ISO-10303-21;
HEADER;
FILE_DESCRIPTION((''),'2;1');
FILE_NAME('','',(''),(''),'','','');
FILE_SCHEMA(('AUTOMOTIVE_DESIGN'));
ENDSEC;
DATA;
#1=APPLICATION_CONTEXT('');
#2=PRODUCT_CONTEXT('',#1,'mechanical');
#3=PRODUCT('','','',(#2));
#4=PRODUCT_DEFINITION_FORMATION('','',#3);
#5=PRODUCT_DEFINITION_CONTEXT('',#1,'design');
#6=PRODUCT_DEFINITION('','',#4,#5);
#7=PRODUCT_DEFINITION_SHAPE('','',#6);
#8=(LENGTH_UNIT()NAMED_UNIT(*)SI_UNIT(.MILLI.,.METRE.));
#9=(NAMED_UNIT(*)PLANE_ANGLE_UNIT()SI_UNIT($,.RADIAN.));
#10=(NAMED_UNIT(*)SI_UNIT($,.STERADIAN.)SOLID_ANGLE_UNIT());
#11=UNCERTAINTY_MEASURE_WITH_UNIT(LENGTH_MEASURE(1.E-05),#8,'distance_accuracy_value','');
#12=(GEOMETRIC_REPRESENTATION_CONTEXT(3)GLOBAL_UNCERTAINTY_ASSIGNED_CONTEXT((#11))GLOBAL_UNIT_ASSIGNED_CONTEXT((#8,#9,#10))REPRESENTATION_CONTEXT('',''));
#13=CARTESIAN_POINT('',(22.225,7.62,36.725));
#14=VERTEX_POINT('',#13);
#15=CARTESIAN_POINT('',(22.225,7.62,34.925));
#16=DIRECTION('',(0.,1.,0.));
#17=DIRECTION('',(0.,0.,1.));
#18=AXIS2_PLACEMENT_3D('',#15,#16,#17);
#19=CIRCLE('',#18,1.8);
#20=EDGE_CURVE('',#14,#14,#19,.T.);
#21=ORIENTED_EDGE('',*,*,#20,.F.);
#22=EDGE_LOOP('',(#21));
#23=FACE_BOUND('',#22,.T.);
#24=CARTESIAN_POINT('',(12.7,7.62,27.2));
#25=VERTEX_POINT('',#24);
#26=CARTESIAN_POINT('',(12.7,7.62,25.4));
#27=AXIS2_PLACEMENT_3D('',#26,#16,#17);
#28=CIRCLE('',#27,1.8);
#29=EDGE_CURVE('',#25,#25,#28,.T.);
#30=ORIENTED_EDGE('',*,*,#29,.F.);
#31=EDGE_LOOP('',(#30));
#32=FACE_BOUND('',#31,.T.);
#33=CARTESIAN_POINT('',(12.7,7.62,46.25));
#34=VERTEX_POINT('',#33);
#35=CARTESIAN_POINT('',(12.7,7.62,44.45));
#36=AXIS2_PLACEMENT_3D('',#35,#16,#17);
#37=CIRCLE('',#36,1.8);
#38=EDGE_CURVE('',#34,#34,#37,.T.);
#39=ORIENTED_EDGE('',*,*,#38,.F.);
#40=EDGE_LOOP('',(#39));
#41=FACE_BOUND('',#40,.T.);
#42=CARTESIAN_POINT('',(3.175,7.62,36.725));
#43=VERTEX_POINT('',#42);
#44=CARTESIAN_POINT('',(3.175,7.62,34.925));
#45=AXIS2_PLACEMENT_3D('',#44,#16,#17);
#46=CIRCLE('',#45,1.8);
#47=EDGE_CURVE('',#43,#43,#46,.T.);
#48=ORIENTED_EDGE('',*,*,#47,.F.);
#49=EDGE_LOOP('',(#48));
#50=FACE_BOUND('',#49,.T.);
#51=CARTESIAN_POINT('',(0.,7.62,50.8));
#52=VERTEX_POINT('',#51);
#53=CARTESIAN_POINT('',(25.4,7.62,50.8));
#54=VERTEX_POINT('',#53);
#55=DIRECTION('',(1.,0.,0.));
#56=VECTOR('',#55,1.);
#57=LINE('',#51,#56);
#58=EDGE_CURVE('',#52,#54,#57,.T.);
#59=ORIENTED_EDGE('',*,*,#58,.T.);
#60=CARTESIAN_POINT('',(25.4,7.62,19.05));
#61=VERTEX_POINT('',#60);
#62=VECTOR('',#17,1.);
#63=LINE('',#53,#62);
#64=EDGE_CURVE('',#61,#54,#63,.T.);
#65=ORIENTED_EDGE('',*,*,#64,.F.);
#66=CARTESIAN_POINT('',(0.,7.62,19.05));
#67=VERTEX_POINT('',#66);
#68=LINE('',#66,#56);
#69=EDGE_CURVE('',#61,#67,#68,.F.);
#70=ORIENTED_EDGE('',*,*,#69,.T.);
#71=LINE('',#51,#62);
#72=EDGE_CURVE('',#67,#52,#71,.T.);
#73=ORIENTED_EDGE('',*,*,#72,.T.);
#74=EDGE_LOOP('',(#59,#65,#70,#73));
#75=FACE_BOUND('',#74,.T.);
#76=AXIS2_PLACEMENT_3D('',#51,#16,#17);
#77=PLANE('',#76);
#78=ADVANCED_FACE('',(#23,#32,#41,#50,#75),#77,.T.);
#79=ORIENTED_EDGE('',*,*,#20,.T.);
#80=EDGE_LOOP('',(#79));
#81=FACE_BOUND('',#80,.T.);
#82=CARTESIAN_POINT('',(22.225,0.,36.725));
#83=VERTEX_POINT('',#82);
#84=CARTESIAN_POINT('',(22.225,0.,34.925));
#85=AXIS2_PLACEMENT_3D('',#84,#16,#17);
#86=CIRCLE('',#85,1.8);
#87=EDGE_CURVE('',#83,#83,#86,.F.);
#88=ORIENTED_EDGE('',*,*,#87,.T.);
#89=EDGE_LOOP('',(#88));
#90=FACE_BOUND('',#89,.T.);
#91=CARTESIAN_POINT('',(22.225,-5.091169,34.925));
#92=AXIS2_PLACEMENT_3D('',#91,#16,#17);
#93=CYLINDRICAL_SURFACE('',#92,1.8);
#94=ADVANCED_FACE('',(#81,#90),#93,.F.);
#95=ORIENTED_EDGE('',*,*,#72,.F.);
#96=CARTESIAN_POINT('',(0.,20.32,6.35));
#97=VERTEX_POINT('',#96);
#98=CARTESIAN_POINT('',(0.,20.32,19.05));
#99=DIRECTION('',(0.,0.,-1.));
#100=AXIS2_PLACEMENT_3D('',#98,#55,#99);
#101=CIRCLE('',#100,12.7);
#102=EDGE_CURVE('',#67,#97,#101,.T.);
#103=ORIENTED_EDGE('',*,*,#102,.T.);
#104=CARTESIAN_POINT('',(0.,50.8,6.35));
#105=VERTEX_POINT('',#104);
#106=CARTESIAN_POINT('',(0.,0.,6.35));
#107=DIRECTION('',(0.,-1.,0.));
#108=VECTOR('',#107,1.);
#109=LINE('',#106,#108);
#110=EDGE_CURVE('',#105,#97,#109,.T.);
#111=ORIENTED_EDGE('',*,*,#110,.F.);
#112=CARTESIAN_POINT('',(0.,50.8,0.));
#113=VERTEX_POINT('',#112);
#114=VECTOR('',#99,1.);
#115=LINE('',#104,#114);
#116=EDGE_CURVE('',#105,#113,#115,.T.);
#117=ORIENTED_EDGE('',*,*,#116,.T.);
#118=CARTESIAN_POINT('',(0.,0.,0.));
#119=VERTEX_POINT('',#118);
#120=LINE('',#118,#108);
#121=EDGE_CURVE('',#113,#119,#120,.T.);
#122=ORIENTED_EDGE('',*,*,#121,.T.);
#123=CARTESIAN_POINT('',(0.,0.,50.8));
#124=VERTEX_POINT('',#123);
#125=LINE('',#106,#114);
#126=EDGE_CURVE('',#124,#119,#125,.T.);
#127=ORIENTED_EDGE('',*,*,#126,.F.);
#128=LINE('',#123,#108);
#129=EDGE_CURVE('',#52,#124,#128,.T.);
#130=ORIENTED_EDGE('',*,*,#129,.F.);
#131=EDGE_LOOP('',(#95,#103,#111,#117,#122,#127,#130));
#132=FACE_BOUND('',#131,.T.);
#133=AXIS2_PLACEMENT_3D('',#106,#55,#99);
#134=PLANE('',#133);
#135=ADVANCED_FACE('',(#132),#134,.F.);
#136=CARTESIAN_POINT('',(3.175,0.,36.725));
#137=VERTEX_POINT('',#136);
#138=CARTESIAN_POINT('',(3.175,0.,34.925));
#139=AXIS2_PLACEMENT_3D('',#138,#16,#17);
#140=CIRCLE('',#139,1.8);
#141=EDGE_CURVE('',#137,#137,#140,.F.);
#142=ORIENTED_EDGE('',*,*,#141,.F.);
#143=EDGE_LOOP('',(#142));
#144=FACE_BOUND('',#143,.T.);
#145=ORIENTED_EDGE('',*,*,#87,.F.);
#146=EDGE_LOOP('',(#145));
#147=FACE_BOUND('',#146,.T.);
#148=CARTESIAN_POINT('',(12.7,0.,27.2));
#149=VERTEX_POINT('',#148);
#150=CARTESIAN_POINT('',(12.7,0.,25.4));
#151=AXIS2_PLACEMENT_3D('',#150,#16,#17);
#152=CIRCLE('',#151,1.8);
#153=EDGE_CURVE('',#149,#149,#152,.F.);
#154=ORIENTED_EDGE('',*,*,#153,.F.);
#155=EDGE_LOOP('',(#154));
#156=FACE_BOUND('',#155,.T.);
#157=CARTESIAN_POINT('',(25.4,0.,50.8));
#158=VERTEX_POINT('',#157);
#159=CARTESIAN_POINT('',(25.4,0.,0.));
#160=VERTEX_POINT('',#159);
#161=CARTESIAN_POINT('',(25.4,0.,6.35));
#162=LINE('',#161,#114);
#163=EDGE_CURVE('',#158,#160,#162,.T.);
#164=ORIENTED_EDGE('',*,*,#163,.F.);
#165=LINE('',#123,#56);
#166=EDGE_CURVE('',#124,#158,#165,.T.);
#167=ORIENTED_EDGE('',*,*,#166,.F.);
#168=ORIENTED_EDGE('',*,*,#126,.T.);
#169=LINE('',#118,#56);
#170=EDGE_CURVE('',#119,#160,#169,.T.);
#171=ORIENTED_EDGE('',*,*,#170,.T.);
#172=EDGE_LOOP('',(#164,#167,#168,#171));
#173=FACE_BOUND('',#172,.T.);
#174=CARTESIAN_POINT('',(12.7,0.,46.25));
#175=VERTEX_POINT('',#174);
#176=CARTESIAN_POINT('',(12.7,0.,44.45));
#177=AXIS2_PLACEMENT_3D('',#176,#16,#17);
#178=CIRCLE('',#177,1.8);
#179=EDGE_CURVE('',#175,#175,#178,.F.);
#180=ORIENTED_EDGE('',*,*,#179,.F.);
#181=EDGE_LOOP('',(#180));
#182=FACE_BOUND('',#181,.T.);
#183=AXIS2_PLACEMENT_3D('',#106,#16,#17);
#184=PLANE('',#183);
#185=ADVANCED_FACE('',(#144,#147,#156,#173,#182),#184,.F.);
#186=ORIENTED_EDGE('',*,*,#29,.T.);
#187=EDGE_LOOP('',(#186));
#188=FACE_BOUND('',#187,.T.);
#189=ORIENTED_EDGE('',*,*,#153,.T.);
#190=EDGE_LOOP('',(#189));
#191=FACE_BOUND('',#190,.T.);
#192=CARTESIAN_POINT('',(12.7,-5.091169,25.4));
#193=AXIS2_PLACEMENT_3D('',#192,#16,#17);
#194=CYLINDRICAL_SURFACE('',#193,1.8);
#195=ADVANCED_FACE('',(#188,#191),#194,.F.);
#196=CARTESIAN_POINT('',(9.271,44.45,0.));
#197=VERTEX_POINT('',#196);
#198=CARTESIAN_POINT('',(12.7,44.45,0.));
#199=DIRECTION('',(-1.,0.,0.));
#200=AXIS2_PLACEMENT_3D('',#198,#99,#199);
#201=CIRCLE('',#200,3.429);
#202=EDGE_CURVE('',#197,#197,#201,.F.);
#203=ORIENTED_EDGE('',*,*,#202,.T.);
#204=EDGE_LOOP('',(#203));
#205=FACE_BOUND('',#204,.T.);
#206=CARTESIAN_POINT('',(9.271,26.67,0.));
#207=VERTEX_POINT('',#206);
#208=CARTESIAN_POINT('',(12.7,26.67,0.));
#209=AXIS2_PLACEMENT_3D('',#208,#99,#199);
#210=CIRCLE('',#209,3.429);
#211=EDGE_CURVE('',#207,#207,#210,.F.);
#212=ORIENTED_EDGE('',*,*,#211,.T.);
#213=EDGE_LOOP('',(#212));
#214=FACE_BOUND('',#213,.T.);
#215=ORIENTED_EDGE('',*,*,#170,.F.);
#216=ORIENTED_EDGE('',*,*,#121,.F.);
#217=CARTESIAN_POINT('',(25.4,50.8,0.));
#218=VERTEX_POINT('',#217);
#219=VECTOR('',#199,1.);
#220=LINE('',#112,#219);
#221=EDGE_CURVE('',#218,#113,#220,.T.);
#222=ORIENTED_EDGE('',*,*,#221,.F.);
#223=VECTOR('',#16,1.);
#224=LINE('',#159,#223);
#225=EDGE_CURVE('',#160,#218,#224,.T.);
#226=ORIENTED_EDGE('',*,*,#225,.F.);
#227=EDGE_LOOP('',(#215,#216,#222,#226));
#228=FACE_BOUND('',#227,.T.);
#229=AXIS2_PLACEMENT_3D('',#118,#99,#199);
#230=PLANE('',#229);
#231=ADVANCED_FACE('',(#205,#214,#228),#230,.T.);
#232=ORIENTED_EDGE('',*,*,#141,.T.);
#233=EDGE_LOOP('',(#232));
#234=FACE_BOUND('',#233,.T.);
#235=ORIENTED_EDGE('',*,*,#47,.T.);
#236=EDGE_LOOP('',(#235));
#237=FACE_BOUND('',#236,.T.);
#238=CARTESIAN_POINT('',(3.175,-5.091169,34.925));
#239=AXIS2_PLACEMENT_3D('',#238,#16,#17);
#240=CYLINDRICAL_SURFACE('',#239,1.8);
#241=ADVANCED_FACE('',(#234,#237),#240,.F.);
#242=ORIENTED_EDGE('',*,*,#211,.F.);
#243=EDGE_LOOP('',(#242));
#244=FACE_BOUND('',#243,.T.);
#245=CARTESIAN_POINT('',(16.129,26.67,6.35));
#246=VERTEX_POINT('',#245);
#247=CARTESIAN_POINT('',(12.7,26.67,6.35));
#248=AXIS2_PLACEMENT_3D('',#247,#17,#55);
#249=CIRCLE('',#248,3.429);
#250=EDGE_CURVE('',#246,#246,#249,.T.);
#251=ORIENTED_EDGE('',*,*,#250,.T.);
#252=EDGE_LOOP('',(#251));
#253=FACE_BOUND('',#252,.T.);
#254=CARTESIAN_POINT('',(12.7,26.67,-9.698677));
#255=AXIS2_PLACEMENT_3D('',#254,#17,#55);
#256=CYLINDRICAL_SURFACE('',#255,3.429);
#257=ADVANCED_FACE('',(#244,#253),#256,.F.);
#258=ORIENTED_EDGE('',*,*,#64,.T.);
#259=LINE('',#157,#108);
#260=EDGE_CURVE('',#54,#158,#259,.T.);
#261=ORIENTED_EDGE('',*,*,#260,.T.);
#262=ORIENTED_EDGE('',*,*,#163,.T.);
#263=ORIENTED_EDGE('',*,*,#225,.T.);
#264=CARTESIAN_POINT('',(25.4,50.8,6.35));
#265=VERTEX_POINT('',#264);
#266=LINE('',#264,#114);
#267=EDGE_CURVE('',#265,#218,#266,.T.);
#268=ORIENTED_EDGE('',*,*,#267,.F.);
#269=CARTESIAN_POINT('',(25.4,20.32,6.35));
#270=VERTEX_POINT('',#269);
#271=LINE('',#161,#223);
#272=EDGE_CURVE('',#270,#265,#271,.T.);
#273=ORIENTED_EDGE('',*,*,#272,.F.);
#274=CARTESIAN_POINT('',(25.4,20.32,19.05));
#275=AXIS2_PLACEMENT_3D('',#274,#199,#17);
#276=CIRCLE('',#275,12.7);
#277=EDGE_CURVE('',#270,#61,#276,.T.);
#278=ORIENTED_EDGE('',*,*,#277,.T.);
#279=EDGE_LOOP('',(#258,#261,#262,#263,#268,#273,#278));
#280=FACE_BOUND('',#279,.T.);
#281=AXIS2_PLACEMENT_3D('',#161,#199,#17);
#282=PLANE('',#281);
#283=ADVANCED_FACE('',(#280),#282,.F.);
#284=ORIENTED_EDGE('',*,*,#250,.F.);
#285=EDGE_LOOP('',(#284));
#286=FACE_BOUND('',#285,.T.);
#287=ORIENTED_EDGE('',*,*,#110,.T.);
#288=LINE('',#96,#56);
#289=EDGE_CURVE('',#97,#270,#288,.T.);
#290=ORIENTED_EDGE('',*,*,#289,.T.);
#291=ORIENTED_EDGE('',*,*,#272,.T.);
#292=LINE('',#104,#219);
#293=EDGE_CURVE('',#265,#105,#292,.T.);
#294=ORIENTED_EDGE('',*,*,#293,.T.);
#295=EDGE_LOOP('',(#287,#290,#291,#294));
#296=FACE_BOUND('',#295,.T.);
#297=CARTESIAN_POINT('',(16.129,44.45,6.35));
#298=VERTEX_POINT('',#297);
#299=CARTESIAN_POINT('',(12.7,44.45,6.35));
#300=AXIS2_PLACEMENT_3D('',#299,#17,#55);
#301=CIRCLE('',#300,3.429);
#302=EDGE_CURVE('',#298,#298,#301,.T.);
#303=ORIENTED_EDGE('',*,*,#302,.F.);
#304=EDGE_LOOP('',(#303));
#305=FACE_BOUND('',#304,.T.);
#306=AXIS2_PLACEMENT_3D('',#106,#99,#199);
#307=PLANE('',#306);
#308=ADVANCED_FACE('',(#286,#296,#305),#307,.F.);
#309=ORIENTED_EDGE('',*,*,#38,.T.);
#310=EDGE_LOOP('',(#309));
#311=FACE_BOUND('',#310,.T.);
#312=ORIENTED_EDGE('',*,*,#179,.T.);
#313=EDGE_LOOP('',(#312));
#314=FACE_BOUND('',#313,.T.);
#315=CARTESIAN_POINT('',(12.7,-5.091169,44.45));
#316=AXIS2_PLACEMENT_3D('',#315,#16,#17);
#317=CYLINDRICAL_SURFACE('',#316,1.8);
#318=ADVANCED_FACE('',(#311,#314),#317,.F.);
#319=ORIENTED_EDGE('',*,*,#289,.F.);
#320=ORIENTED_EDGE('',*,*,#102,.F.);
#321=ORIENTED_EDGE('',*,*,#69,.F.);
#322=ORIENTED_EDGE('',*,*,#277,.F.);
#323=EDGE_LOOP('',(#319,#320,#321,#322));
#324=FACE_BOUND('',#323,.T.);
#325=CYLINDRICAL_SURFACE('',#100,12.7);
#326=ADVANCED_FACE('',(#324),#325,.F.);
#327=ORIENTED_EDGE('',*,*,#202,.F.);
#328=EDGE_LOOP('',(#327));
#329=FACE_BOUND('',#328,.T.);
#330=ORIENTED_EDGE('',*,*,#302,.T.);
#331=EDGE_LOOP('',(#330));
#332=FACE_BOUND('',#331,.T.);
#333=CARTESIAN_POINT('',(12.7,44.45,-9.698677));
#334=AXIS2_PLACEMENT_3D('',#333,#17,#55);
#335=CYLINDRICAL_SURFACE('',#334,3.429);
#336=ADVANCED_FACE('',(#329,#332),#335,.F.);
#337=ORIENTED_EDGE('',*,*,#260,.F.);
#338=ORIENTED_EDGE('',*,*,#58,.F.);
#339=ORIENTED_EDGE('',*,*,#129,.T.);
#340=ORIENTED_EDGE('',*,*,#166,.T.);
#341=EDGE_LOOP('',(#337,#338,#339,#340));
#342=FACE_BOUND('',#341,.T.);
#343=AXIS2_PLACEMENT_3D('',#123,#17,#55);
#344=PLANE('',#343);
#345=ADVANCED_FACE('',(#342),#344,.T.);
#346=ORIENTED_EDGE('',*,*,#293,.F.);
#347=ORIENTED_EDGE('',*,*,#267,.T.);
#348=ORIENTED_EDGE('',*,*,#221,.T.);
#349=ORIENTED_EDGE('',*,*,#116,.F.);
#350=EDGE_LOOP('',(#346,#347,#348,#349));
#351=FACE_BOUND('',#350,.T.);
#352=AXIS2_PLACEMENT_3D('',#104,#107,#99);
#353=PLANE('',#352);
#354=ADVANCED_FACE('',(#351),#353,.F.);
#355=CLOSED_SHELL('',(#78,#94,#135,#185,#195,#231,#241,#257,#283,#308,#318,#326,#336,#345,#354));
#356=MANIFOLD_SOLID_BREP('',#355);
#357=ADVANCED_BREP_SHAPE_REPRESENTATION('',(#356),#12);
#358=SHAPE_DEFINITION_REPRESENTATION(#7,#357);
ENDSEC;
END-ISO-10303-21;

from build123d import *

# Parameters (mm, degrees)
SKETCH1_W           = 25.4
SKETCH1_H           = 50.8
BOSS_EXTRUDE1_DEPTH = 6.35
SKETCH2_W           = 44.45
SKETCH2_H           = 7.62
BOSS_EXTRUDE2_DEPTH = 25.4
FILLET1_R           = 12.7
SKETCH3_R           = 3.429
CUT_EXTRUDE1_DEPTH  = 6.35
SKETCH4_R           = 1.8
CUT_EXTRUDE2_DEPTH  = 7.62


with BuildPart() as part:
    # Sketch1 → Boss-Extrude1 (new body)
    with BuildSketch(Plane.XY):
        with Locations((12.7, 25.4)):
            Rectangle(SKETCH1_W, SKETCH1_H)
    extrude(amount=BOSS_EXTRUDE1_DEPTH)

    # Sketch2 → Boss-Extrude2 (add)
    with BuildSketch(Plane(origin=(25.4, 0, 0), x_dir=(0, 0, -1), z_dir=(1, 0, 0))):
        with Locations((-28.575, 3.81)):
            Rectangle(SKETCH2_W, SKETCH2_H)
    extrude(amount=-BOSS_EXTRUDE2_DEPTH)

    # Fillet1
    fillet1_edges = [part.edges().sort_by_distance(p)[0] for p in [
        (12.7, 7.62, 6.35),
    ]]
    fillet(fillet1_edges, radius=FILLET1_R)

    # Sketch3 → Cut-Extrude1 (cut)
    with BuildSketch(Plane.XY.offset(6.35)):
        with Locations((12.7, 44.45)):
            Circle(SKETCH3_R)
        with Locations((12.7, 26.67)):
            Circle(SKETCH3_R)
    extrude(amount=-CUT_EXTRUDE1_DEPTH, mode=Mode.SUBTRACT)

    # Sketch4 → Cut-Extrude2 (cut)
    with BuildSketch(Plane(origin=(0, 7.62, 0), x_dir=(1, 0, 0), z_dir=(0, 1, 0))):
        with Locations(Location((12.7, -25.4, 0), (0, 0, 270))):
            Circle(SKETCH4_R)
        with Locations(Location((22.225, -34.925, 0), (0, 0, 270))):
            Circle(SKETCH4_R)
        with Locations(Location((12.7, -44.45, 0), (0, 0, 270))):
            Circle(SKETCH4_R)
        with Locations(Location((3.175, -34.925, 0), (0, 0, 270))):
            Circle(SKETCH4_R)
    extrude(amount=-CUT_EXTRUDE2_DEPTH, mode=Mode.SUBTRACT)


solid = part.part
